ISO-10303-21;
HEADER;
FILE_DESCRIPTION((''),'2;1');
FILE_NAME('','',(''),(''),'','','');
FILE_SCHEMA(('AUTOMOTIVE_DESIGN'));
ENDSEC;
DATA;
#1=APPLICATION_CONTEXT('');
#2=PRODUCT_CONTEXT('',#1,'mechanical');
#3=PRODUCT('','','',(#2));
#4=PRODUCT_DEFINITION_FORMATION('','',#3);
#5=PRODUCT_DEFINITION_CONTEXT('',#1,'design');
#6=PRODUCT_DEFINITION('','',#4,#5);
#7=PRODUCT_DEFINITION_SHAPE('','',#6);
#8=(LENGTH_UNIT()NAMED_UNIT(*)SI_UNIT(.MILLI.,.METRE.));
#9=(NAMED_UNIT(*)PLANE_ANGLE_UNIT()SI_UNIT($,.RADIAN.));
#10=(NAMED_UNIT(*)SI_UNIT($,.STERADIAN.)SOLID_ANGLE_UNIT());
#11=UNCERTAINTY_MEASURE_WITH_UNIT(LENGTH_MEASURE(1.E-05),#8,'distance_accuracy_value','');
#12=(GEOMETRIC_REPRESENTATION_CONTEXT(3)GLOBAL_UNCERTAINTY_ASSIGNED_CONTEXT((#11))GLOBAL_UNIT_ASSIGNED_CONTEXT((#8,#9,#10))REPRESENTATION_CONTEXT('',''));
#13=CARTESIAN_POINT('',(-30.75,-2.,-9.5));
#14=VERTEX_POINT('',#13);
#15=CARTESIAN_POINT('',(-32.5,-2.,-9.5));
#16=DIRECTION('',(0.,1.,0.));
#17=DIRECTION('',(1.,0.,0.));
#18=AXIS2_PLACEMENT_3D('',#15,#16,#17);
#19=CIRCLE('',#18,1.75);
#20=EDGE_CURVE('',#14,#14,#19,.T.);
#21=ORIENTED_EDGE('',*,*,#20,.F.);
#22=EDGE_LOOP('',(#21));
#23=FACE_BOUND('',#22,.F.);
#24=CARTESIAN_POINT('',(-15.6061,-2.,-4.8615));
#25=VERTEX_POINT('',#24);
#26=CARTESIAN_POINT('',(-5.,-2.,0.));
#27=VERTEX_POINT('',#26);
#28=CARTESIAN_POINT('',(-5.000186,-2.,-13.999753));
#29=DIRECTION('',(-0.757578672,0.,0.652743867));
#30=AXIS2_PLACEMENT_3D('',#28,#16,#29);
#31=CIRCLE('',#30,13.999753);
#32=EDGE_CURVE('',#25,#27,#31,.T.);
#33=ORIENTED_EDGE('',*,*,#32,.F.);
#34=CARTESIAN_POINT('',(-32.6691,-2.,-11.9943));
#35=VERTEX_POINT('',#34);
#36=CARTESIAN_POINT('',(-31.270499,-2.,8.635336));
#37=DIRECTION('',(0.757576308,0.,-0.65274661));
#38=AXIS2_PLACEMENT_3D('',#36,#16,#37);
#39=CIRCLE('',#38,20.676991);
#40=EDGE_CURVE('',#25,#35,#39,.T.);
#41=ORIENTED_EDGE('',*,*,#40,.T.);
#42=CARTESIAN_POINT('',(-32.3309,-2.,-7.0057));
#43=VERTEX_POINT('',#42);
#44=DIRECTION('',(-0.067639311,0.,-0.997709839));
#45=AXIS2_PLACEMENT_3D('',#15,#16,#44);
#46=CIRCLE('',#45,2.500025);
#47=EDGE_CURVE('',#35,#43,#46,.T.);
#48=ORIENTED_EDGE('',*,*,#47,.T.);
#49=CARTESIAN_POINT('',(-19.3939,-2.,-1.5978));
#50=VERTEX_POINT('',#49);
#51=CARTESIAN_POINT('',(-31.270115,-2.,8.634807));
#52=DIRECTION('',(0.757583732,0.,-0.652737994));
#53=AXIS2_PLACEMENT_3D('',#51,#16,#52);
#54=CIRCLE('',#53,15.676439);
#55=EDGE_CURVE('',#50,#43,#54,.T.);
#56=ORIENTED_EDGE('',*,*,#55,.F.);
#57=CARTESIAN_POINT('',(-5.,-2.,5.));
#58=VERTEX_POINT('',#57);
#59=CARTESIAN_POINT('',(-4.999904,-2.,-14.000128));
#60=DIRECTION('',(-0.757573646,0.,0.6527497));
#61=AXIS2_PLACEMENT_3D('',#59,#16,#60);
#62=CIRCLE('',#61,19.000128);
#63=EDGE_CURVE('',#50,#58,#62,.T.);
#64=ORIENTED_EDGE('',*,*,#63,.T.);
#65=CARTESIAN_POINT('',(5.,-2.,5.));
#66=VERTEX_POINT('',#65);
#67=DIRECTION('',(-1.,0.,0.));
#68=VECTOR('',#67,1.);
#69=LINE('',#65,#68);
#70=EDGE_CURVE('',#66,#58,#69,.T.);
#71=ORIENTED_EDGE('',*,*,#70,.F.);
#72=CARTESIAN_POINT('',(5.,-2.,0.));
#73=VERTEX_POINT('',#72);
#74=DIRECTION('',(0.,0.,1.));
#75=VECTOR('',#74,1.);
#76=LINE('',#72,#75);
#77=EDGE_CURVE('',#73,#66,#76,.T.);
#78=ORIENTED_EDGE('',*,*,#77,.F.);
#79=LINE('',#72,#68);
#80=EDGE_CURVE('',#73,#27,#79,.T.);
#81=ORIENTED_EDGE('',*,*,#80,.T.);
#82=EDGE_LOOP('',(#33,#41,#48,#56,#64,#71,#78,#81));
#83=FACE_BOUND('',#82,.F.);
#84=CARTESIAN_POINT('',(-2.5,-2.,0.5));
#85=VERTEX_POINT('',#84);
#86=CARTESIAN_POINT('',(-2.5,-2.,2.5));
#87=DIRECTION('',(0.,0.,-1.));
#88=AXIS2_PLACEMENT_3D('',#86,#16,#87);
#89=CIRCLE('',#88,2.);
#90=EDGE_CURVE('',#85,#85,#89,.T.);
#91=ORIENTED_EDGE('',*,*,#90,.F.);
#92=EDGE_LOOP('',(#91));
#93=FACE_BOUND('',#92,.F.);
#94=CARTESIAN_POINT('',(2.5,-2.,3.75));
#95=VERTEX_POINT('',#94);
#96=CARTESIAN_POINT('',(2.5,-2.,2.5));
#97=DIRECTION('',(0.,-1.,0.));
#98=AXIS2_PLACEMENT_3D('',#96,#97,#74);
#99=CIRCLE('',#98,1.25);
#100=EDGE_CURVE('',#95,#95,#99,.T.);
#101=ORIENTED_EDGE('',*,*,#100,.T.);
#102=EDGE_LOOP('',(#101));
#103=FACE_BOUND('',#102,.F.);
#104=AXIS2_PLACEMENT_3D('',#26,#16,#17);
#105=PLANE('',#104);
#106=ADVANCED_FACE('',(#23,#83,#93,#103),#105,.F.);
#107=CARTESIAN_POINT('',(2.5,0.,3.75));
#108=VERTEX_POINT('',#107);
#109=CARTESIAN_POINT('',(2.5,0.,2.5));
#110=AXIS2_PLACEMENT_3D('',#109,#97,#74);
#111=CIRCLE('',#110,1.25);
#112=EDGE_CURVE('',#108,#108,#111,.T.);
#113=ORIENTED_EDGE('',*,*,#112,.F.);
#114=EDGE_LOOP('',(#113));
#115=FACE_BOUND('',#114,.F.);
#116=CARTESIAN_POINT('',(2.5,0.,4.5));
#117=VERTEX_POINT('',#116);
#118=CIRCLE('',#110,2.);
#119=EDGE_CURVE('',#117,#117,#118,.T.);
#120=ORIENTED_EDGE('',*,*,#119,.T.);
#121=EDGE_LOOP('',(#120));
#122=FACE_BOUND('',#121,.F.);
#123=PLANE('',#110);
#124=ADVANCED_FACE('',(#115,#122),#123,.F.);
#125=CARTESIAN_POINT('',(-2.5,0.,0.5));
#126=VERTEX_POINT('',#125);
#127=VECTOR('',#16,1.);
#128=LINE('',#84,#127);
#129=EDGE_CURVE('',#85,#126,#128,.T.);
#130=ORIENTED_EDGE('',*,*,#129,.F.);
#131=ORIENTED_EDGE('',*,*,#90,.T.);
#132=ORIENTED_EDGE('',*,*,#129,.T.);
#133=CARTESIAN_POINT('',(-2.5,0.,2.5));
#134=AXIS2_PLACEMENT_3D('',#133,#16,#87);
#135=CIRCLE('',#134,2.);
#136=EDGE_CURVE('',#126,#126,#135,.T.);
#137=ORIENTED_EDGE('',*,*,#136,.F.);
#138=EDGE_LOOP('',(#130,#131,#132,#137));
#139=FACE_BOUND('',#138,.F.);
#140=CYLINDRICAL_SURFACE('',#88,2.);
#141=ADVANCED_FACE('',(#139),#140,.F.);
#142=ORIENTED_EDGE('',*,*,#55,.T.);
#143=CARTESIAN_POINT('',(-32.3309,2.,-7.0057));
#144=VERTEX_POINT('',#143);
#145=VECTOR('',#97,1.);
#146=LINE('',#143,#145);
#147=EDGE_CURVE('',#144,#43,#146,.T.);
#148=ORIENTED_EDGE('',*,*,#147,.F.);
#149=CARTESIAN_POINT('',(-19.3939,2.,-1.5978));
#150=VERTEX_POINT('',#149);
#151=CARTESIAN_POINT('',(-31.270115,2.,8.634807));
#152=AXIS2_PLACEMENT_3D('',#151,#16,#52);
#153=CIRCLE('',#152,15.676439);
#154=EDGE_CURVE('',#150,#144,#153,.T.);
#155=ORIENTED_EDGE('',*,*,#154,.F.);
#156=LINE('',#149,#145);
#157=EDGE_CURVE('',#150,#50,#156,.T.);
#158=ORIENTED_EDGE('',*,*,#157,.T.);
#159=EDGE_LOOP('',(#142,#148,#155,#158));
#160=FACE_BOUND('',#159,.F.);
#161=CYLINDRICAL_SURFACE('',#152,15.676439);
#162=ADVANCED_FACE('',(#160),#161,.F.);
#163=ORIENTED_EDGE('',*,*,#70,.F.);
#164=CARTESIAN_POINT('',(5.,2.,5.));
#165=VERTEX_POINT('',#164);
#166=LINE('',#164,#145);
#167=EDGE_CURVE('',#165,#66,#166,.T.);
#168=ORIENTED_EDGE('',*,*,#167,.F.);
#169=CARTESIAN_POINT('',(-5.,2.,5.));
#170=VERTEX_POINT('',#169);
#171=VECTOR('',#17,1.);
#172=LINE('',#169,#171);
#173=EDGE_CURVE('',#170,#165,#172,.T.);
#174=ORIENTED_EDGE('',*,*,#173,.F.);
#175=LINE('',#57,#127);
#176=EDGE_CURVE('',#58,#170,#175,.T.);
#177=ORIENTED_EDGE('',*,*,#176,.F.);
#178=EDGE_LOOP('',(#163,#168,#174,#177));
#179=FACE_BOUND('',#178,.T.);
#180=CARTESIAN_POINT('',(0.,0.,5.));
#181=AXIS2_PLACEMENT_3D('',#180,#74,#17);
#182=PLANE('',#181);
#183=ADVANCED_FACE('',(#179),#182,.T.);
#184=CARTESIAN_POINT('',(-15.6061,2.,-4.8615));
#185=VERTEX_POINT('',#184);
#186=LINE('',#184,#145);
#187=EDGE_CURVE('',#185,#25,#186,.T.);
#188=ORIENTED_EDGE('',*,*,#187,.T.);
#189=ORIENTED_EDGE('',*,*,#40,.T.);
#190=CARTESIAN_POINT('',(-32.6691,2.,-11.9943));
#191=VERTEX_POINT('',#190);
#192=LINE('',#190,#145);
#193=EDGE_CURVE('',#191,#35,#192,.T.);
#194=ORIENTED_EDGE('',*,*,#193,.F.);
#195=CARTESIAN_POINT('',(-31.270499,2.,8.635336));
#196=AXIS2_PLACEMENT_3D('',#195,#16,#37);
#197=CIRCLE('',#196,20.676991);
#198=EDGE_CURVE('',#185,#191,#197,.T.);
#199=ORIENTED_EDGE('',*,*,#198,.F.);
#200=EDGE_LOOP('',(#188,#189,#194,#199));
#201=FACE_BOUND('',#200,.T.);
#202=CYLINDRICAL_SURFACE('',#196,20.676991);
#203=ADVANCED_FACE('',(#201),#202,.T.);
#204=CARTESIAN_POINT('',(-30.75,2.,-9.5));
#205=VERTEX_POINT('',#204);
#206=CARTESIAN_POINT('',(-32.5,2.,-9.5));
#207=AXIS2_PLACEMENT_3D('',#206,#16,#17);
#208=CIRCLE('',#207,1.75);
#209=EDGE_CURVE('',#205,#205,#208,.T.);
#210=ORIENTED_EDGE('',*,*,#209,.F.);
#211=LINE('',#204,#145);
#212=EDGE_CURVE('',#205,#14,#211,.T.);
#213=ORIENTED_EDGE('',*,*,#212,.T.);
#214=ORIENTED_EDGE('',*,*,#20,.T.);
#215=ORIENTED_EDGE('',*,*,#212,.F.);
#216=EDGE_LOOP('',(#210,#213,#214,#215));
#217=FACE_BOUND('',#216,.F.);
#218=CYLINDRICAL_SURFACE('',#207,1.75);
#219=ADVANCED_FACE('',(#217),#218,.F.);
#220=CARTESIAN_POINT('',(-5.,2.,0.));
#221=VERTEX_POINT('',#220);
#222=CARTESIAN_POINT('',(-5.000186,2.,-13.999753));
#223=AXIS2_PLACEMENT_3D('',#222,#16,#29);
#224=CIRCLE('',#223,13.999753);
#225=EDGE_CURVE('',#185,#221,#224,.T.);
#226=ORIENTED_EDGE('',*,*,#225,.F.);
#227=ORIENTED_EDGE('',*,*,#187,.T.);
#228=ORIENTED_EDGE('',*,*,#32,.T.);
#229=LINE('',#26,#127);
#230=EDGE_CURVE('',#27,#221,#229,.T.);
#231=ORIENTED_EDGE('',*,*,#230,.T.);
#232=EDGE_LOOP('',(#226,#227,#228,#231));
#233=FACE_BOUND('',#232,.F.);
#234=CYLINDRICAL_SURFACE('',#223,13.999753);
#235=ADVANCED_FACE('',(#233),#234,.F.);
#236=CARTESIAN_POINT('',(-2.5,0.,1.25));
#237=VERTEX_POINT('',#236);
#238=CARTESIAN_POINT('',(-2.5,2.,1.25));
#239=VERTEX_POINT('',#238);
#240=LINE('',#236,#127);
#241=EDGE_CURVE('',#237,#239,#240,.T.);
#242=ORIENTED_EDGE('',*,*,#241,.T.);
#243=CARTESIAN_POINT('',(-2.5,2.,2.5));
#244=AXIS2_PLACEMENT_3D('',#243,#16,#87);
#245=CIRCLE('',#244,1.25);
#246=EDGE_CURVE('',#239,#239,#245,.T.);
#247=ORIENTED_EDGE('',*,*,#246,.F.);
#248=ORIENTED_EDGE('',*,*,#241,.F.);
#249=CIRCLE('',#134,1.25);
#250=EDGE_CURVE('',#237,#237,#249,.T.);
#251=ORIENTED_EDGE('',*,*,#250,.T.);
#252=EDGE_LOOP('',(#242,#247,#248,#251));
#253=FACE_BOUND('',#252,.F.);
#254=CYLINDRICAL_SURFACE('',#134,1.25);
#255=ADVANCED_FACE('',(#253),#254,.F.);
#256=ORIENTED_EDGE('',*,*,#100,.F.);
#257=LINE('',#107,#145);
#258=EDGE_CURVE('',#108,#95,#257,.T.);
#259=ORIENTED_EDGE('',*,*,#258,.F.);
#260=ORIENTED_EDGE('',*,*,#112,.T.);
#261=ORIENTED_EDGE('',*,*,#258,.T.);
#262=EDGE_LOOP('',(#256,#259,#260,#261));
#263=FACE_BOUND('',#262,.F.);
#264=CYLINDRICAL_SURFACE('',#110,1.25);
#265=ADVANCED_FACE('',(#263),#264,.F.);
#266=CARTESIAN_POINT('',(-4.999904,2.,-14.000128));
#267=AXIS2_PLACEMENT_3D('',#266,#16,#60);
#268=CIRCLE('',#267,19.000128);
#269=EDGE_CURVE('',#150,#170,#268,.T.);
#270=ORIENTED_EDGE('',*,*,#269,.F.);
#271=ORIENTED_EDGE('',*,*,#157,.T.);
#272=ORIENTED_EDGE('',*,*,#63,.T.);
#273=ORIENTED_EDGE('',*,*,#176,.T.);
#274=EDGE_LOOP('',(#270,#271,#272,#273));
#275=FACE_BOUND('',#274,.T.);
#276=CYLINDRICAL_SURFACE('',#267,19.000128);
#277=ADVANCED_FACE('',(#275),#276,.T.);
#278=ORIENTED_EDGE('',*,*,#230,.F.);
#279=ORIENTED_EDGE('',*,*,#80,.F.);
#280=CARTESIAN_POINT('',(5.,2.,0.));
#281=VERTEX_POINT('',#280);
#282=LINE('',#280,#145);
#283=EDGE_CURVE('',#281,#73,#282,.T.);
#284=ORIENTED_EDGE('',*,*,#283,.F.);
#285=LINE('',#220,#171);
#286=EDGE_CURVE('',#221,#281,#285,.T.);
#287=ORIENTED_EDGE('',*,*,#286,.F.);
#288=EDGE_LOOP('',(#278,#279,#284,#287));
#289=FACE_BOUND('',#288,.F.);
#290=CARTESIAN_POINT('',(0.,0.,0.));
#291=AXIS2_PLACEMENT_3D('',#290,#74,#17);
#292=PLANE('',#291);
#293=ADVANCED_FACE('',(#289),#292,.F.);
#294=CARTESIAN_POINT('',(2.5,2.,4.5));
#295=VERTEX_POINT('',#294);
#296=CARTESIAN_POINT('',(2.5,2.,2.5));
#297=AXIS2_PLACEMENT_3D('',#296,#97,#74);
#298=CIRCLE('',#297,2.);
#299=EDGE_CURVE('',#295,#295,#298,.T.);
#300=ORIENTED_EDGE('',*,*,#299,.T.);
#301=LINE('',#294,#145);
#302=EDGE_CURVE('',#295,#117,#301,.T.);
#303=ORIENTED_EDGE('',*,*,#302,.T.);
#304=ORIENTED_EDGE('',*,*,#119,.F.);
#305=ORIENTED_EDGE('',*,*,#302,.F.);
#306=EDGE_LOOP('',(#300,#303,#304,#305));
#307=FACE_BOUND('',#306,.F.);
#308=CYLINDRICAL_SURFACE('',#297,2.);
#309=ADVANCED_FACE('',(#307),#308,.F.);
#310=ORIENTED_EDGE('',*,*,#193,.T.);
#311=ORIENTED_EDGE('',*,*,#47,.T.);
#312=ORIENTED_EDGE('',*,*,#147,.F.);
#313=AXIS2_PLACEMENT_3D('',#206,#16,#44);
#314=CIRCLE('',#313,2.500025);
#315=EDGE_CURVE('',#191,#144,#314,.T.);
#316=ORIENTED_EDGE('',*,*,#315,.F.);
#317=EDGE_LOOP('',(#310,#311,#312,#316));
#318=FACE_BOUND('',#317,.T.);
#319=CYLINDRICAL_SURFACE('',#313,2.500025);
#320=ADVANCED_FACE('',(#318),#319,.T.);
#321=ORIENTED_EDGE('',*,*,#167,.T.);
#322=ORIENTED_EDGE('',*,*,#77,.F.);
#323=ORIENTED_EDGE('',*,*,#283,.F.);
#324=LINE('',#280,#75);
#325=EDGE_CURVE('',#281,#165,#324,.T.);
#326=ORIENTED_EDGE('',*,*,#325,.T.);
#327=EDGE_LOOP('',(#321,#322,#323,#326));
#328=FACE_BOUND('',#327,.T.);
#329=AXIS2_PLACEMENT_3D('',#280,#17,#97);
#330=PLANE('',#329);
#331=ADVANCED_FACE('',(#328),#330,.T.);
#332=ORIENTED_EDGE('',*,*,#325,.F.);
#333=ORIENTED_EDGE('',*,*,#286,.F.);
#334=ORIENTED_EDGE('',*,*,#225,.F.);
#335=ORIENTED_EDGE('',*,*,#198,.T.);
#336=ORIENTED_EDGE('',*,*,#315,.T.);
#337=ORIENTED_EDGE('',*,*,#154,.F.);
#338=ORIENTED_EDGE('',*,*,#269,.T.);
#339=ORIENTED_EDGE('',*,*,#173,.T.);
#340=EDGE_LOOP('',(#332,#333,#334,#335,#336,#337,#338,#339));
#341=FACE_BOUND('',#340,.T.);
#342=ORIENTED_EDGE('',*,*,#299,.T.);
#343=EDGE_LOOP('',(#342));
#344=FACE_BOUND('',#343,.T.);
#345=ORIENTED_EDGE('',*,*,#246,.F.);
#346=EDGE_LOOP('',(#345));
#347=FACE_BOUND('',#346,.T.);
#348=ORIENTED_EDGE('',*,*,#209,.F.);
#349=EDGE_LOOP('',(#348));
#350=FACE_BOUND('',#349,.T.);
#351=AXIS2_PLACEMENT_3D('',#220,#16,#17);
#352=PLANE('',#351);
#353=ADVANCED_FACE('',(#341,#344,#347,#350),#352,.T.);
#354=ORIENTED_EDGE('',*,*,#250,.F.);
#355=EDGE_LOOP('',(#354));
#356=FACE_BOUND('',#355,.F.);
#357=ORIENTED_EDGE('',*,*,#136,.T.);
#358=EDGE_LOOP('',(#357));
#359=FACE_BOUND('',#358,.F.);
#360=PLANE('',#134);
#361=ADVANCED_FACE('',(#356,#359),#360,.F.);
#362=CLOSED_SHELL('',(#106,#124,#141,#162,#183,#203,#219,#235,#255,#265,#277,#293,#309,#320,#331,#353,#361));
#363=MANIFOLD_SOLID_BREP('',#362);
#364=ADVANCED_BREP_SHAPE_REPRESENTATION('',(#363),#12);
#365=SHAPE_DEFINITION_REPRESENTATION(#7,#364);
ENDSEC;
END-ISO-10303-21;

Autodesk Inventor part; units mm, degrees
ref_plane "YZ Plane" through (0, 0, 0) normal (1, 0, 0) x (0, 1, 0)
ref_plane "XZ Plane" through (0, 0, 0) normal (0, 1, 0) x (-1, 0, 0)
ref_plane "XY Plane" through (0, 0, 0) normal (0, 0, 1) x (1, 0, 0)
sketch "Sketch1" plane through (0, 0, 0) normal (0, 0, 1) x (1, 0, 0)
  line L0 (-7, 0) -> (7, 0) construction
  line L1 (0, -2.8) -> (0, 2.8) construction
  line L2 (5, -2) -> (-5, -2)
  line L3 (-5, -2) -> (-5, 2)
  line L4 (-5, 2) -> (5, 2)
  line L5 (5, 2) -> (5, -2)
  line L6 (5, -2) -> (-5, 2) construction
  line L7 (-5, -2) -> (5, 2) construction
  point P0 (0, 0)
  dimension "d8" = 4
  dimension "d9" = 10
extrude "Extrusion1" add sketch "Sketch1" along normal blind 5
sketch "Sketch2" plane through (-5, 2, 0) normal (0, 1, 0) x (1, 0, 0)
  line L0 (10, 0) -> (10, -5) projected
  line L1 (10, 0) -> (0, 0) projected
  point P0 (5, 0)
  point P1 (7.5, -2.5)
  point P2 (10, -2.5)
  dimension "d12" = 2.5
hole "Hole1" at (2.5, 2, 2.5) direction (0, -1, 0) diameter 2.5 depth 10 tip angle 118 counterbore diameter 4 counterbore depth 2
sketch "Sketch3" plane through (-5, -2, 0) normal (0, -1, 0) x (1, 0, 0)
  circle A0 centre (7.5, 2.5) radius 1.25 projected
  point P0 (5, 0)
  point P1 (2.5, 2.5)
  dimension "d21" = 5
hole "Hole2" at (-2.5, -2, 2.5) direction (0, 1, 0) diameter 2.5 depth 10 tip angle 118 counterbore diameter 4 counterbore depth 2
sketch "Sketch4" plane through (-5, 2, 0) normal (0, 1, 0) x (1, 0, 0)
  line L0 (0, 0) -> (0, -5) projected
  arc A0 (-12.5, 3.2297) -> (0, -2.5) centre (0, 14) ccw construction
  arc A1 (-14.3939, 1.5978) -> (0, -5) centre (0, 14) ccw
  arc A2 (-10.6061, 4.8615) -> (0, 0) centre (0, 14) ccw
  arc A3 (-10.6061, 4.8615) -> (-14.3939, 1.5978) centre (-12.5, 3.2297) ccw construction
  line L1 (10, 0) -> (0, 0) projected
  line L2 (10, -5) -> (0, -5) projected
  arc A4 (-12.5, 3.2297) -> (-27.5, 9.5) centre (-26.2704, -8.6352) ccw construction
  arc A5 (-10.6061, 4.8615) -> (-27.6691, 11.9943) centre (-26.2704, -8.6352) ccw
  arc A6 (-14.3939, 1.5978) -> (-27.3309, 7.0057) centre (-26.2704, -8.6352) ccw
  arc A7 (-14.3939, 1.5978) -> (-10.6061, 4.8615) centre (-12.5, 3.2297) ccw construction
  arc A8 (-27.6691, 11.9943) -> (-27.3309, 7.0057) centre (-27.5, 9.5) ccw
  circle A9 centre (2.5, -2.5) radius 1.25 projected
  circle A10 centre (-27.5, 9.5) radius 1.75
  point P0 (5, 0)
  point P1 (0, 0)
  point P2 (-14.3939, 1.5978)
  point P3 (0, -5)
  dimension "d30" = 15
  dimension "d31" = 15
  dimension "d32" = 12
  dimension "d33" = 14
  dimension "d34" = 3.5
extrude "Extrusion2" add sketch "Sketch4" against normal blind 4 contours L0 A1 A6 A8 A5 A2
properties part number "huzo1"
